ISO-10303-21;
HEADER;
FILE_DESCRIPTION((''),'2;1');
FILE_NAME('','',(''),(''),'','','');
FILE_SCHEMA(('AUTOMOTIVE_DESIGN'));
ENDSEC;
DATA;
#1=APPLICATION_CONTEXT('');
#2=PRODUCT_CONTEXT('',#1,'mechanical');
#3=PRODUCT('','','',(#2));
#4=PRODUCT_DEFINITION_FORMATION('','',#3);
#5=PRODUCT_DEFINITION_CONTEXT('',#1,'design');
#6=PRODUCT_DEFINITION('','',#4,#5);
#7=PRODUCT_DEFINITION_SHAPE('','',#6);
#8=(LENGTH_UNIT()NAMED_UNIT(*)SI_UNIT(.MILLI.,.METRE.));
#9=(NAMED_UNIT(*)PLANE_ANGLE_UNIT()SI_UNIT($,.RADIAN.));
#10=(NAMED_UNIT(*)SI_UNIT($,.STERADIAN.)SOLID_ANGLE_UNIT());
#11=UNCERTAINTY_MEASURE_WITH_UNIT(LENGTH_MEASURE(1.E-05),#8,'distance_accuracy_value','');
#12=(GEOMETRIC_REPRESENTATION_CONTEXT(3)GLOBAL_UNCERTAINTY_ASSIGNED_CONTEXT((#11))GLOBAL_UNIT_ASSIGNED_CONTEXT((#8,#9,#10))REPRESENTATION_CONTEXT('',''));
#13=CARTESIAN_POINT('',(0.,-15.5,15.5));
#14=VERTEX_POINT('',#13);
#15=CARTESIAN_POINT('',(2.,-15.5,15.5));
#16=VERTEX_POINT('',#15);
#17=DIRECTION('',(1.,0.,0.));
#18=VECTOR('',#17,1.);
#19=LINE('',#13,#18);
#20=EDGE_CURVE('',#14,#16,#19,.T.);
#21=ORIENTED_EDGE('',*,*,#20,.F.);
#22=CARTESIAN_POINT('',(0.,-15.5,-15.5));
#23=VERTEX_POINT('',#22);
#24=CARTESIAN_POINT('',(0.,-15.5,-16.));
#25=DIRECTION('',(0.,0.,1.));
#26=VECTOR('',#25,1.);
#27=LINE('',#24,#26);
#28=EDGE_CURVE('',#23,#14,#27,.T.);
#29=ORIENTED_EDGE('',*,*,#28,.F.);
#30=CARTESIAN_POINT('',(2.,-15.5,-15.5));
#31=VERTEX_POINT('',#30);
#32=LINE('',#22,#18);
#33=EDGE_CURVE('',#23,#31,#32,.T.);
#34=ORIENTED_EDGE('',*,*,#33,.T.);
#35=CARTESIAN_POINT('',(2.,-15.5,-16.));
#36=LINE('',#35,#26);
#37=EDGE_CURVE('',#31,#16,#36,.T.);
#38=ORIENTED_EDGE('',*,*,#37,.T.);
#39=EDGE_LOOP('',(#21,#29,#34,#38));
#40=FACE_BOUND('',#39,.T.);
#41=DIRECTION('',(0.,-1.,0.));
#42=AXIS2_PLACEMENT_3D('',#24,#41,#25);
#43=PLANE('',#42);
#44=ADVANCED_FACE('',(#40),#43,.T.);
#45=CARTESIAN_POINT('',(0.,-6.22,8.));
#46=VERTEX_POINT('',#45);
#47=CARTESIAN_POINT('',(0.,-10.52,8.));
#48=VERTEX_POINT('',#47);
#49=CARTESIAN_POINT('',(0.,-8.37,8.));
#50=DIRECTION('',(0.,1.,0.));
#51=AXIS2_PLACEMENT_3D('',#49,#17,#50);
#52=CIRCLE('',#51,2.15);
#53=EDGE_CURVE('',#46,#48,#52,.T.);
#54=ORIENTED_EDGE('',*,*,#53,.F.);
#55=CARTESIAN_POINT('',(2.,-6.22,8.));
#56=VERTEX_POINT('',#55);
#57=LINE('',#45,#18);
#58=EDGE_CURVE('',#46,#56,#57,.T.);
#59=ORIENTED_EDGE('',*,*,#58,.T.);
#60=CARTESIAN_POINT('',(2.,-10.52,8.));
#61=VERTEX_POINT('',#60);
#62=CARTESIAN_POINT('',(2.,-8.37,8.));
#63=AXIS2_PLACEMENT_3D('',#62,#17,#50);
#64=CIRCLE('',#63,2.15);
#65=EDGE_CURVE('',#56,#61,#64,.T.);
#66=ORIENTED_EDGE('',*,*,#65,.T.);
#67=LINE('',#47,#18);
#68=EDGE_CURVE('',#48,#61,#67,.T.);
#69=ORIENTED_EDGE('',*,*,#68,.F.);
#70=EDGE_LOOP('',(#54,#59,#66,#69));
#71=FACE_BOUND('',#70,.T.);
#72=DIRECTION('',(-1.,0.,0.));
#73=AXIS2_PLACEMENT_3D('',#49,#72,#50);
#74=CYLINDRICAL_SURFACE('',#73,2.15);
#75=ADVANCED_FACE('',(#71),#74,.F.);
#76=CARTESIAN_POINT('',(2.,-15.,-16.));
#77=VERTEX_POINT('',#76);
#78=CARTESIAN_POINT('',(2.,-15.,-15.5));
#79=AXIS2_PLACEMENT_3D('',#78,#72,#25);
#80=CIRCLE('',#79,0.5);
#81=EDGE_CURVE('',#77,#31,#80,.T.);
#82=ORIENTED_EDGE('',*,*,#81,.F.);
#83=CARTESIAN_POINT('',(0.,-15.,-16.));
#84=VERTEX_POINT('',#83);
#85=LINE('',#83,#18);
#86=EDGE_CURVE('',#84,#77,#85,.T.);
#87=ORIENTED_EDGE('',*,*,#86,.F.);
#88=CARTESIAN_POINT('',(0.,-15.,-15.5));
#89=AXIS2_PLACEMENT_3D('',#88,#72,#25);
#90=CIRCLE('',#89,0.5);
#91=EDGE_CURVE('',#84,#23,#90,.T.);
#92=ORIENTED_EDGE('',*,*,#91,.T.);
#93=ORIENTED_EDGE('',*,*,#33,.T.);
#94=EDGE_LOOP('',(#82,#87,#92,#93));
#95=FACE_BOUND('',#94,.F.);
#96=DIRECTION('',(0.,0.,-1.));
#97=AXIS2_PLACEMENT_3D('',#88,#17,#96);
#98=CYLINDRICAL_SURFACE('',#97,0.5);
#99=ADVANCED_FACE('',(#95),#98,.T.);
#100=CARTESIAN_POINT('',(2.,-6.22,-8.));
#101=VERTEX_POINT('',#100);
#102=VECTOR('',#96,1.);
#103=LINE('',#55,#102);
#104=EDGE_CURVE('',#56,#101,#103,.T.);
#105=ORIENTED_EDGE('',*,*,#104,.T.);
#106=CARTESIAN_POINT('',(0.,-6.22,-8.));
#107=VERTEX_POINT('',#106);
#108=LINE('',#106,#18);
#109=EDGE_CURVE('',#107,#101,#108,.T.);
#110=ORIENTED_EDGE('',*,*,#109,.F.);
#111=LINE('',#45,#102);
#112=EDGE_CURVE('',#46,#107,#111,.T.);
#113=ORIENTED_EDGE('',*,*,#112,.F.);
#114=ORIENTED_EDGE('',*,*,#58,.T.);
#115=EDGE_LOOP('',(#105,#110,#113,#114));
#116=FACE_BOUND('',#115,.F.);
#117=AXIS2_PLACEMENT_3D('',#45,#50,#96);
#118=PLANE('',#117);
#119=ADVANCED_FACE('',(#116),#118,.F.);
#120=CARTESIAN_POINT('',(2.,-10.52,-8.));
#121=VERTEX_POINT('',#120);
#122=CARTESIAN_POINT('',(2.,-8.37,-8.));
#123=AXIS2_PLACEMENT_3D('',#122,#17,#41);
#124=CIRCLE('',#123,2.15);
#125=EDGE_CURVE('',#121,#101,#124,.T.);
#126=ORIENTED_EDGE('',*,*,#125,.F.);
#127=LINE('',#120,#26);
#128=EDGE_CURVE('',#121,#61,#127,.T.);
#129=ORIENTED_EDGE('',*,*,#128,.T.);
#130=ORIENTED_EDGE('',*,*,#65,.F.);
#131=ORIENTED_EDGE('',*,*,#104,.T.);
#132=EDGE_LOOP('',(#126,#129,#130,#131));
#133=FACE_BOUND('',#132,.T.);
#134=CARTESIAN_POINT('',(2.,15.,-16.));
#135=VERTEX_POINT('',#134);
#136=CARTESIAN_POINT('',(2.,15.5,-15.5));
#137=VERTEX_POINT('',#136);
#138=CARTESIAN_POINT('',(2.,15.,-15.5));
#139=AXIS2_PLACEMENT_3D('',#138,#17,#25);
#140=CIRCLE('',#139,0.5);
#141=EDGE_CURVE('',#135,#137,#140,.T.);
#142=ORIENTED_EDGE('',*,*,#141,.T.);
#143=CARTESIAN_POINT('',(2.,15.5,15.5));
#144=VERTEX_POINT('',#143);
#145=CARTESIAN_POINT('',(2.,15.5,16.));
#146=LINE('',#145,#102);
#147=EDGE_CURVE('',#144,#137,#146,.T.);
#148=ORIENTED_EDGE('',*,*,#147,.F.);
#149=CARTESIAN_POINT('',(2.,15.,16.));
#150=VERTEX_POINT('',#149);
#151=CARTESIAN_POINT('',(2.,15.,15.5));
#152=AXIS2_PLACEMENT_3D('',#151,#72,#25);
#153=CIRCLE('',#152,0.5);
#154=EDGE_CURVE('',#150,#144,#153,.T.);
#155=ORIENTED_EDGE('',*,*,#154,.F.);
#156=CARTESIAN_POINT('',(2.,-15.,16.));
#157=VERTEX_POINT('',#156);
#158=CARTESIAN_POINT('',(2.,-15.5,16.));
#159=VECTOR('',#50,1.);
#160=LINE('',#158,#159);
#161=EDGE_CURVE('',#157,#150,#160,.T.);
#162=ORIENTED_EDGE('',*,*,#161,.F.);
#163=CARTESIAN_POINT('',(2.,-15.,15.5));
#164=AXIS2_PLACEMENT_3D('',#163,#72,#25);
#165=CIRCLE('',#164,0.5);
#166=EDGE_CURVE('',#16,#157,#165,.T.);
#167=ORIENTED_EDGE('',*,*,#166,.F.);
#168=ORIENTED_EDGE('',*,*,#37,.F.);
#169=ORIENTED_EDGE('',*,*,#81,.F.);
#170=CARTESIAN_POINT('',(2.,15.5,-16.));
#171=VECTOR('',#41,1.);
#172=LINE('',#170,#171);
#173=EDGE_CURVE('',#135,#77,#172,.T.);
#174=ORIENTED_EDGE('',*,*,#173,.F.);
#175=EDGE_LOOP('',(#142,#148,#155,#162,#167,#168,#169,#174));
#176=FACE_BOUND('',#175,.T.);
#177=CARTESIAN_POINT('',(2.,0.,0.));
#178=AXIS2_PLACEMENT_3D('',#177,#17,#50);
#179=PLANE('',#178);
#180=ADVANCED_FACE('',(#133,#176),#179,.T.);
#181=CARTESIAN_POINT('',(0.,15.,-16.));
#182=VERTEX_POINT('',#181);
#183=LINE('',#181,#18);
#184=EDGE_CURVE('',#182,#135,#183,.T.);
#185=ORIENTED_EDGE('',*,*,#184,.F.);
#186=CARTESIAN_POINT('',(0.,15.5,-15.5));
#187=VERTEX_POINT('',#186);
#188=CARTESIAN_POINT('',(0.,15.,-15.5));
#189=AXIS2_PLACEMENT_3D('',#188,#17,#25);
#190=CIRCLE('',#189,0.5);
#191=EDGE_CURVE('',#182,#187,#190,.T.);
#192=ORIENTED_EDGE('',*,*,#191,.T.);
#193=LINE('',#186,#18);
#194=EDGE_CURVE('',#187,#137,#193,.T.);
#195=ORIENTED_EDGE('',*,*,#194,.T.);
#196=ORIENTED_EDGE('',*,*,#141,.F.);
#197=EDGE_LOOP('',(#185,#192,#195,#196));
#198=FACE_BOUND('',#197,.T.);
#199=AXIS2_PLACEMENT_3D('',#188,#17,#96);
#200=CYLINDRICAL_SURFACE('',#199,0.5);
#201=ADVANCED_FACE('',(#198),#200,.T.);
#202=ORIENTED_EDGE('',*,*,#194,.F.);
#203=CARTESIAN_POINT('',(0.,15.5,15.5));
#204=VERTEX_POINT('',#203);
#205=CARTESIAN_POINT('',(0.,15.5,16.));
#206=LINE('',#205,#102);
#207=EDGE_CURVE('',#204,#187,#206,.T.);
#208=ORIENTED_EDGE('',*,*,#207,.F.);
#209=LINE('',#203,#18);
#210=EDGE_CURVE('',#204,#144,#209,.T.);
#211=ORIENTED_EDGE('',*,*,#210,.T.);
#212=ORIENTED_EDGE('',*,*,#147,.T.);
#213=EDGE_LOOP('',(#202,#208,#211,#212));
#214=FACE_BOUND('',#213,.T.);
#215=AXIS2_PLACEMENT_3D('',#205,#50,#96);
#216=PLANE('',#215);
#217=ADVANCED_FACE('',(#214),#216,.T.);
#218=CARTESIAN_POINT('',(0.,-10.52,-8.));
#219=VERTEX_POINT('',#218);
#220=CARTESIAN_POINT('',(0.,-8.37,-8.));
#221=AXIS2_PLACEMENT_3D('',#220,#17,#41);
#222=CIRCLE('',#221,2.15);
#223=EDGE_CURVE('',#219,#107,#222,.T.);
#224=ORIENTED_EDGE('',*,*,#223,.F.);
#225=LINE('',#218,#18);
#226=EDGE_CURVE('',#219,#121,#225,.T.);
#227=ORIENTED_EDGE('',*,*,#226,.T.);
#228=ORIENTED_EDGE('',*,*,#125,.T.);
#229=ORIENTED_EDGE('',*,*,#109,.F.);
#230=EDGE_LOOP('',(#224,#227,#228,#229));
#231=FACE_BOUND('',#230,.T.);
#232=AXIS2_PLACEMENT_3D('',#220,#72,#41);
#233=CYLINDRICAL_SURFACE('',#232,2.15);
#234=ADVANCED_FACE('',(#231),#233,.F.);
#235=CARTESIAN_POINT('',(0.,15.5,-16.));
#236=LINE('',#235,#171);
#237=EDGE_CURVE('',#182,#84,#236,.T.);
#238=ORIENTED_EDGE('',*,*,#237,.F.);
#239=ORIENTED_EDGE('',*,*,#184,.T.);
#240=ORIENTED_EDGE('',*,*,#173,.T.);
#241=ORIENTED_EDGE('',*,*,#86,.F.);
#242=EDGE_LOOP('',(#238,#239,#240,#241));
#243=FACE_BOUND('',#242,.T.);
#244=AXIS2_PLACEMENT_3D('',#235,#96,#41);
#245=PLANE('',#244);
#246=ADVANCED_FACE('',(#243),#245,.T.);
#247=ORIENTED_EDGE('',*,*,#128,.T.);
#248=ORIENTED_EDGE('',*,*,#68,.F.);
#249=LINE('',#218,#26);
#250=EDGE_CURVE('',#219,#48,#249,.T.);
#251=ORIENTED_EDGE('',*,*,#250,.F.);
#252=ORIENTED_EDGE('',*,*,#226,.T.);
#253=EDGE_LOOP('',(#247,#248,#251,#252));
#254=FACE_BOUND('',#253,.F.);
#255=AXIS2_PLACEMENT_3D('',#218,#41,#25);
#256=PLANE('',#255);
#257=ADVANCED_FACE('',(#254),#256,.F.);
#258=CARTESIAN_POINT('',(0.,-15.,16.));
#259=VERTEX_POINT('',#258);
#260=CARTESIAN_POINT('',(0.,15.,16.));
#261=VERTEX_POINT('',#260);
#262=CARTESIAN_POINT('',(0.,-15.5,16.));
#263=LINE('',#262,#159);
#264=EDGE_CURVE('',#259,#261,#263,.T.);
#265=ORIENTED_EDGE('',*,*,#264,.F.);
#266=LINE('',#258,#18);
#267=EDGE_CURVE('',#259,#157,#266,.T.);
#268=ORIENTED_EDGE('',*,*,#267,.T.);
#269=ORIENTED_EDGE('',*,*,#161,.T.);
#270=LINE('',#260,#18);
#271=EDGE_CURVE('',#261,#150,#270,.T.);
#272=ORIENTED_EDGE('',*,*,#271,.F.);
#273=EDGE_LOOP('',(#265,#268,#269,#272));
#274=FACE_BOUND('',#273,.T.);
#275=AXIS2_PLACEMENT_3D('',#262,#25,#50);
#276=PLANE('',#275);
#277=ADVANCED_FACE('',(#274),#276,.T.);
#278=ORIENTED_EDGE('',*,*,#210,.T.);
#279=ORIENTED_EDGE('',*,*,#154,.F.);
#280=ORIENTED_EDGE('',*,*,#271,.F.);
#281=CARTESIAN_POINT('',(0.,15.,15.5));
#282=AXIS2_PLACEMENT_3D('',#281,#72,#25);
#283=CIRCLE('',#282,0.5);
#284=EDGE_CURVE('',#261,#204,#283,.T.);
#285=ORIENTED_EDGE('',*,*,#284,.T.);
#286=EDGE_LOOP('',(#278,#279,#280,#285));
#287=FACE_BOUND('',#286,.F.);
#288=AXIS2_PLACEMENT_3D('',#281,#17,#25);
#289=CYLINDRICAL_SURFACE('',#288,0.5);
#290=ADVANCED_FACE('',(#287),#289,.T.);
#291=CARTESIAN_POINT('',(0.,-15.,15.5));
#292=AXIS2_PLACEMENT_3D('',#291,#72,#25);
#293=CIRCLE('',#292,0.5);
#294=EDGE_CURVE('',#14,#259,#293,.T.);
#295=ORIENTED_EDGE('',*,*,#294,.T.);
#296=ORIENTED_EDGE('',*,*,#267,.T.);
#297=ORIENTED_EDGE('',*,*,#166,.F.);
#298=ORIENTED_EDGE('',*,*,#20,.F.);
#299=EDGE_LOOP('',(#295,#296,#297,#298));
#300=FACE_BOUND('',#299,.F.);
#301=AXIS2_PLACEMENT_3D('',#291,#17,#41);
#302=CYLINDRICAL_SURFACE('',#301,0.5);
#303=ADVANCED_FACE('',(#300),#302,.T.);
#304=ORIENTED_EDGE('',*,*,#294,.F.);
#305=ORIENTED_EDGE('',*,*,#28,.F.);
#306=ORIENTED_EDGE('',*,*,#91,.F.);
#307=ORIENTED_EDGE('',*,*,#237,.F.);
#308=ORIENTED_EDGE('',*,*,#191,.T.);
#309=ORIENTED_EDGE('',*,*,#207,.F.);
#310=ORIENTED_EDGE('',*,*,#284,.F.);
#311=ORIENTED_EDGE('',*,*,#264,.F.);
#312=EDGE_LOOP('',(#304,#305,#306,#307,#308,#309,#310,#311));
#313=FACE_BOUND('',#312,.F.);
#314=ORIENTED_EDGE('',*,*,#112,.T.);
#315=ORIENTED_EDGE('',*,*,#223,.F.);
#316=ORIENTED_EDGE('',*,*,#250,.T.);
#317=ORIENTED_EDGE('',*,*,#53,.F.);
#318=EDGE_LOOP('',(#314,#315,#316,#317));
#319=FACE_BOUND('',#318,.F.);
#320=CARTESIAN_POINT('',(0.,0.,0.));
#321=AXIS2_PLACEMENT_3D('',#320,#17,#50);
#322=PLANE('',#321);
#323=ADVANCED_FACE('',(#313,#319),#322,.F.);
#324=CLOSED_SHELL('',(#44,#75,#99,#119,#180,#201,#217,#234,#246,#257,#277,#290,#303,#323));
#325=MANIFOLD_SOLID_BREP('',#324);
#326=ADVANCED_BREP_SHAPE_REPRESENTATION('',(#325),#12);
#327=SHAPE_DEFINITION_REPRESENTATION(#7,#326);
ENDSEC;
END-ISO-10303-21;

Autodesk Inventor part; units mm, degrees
ref_plane "YZ Plane" through (0, 0, 0) normal (1, 0, 0) x (0, 1, 0)
ref_plane "XZ Plane" through (0, 0, 0) normal (0, 1, 0) x (-1, 0, 0)
ref_plane "XY Plane" through (0, 0, 0) normal (0, 0, 1) x (1, 0, 0)
sketch "Sketch1" plane through (0, 0, 0) normal (1, 0, 0) x (0, 1, 0)
  line L0 (15.5, -16) -> (-15.5, -16)
  line L1 (-15.5, -16) -> (-15.5, 16)
  line L2 (-15.5, 16) -> (15.5, 16)
  line L3 (15.5, 16) -> (15.5, -16)
  line L4 (15.5, -16) -> (-15.5, 16) construction
  line L5 (-15.5, -16) -> (15.5, 16) construction
  line L6 (-8.37, 8) -> (-8.37, -8) construction
  line L7 (-6.22, 8) -> (-6.22, -8)
  line L8 (-10.52, -8) -> (-10.52, 8)
  arc A0 (-6.22, 8) -> (-10.52, 8) centre (-8.37, 8) ccw
  arc A1 (-10.52, -8) -> (-6.22, -8) centre (-8.37, -8) ccw
  point P0 (0, 0)
  point P1 (-8.37, 0)
  dimension "d0" = 31
  dimension "d1" = 32
  dimension "d5" = 7.13
  dimension "d6" = 16
  dimension "d7" = 4.3
extrude "Extrusion1" add sketch "Sketch1" along normal blind 2
fillet "Fillet1" radius 0.5 4 edges at (1, 15.5, 16) (1, -15.5, 16) (1, -15.5, -16) (1, 15.5, -16)
properties part number "3DPRINT,LIMIT_SWITCH,SPACER" material "ABS Plastic"
